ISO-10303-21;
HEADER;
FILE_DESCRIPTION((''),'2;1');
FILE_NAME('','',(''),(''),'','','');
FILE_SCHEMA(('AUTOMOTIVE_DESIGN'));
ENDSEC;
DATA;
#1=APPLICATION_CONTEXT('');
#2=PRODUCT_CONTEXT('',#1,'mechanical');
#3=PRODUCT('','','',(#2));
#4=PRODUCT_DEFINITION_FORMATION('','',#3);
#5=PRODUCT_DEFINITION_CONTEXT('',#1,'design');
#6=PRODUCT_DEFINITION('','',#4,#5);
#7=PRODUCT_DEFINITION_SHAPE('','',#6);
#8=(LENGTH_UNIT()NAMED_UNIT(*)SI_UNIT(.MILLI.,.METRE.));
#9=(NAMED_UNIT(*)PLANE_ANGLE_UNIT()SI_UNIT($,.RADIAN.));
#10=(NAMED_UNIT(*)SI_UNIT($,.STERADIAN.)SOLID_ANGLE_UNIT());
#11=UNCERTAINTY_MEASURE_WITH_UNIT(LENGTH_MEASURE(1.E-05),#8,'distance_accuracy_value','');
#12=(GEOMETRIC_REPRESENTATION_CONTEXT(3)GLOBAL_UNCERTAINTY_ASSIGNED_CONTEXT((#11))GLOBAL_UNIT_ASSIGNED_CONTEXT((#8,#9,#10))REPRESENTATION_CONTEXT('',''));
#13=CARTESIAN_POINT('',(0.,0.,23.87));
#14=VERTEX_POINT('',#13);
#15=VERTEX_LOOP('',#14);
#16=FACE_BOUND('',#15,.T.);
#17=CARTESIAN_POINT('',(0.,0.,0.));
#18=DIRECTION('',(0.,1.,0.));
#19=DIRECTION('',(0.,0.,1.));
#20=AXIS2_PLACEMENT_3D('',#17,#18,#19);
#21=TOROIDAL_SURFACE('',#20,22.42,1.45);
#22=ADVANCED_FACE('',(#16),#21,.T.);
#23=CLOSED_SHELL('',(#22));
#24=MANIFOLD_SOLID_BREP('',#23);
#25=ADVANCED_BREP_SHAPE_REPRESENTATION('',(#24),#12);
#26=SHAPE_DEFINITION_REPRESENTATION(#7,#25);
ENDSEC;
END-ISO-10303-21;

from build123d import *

# Parameters (mm, degrees)
ESQUISSE1_R = 1.45


with BuildPart() as part:
    # Esquisse1 → Révolution1 (revolve)
    with BuildSketch(Plane.XY, mode=Mode.PRIVATE) as r_volution1_sk:
        with Locations((22.42, 0)):
            Circle(ESQUISSE1_R)
    revolve(r_volution1_sk.sketch.rotate(Axis((0, 10.854071722, 0), (0, -1, 0)), 90), axis=Axis((0, 10.854071722, 0), (0, -1, 0)))


solid = part.part
